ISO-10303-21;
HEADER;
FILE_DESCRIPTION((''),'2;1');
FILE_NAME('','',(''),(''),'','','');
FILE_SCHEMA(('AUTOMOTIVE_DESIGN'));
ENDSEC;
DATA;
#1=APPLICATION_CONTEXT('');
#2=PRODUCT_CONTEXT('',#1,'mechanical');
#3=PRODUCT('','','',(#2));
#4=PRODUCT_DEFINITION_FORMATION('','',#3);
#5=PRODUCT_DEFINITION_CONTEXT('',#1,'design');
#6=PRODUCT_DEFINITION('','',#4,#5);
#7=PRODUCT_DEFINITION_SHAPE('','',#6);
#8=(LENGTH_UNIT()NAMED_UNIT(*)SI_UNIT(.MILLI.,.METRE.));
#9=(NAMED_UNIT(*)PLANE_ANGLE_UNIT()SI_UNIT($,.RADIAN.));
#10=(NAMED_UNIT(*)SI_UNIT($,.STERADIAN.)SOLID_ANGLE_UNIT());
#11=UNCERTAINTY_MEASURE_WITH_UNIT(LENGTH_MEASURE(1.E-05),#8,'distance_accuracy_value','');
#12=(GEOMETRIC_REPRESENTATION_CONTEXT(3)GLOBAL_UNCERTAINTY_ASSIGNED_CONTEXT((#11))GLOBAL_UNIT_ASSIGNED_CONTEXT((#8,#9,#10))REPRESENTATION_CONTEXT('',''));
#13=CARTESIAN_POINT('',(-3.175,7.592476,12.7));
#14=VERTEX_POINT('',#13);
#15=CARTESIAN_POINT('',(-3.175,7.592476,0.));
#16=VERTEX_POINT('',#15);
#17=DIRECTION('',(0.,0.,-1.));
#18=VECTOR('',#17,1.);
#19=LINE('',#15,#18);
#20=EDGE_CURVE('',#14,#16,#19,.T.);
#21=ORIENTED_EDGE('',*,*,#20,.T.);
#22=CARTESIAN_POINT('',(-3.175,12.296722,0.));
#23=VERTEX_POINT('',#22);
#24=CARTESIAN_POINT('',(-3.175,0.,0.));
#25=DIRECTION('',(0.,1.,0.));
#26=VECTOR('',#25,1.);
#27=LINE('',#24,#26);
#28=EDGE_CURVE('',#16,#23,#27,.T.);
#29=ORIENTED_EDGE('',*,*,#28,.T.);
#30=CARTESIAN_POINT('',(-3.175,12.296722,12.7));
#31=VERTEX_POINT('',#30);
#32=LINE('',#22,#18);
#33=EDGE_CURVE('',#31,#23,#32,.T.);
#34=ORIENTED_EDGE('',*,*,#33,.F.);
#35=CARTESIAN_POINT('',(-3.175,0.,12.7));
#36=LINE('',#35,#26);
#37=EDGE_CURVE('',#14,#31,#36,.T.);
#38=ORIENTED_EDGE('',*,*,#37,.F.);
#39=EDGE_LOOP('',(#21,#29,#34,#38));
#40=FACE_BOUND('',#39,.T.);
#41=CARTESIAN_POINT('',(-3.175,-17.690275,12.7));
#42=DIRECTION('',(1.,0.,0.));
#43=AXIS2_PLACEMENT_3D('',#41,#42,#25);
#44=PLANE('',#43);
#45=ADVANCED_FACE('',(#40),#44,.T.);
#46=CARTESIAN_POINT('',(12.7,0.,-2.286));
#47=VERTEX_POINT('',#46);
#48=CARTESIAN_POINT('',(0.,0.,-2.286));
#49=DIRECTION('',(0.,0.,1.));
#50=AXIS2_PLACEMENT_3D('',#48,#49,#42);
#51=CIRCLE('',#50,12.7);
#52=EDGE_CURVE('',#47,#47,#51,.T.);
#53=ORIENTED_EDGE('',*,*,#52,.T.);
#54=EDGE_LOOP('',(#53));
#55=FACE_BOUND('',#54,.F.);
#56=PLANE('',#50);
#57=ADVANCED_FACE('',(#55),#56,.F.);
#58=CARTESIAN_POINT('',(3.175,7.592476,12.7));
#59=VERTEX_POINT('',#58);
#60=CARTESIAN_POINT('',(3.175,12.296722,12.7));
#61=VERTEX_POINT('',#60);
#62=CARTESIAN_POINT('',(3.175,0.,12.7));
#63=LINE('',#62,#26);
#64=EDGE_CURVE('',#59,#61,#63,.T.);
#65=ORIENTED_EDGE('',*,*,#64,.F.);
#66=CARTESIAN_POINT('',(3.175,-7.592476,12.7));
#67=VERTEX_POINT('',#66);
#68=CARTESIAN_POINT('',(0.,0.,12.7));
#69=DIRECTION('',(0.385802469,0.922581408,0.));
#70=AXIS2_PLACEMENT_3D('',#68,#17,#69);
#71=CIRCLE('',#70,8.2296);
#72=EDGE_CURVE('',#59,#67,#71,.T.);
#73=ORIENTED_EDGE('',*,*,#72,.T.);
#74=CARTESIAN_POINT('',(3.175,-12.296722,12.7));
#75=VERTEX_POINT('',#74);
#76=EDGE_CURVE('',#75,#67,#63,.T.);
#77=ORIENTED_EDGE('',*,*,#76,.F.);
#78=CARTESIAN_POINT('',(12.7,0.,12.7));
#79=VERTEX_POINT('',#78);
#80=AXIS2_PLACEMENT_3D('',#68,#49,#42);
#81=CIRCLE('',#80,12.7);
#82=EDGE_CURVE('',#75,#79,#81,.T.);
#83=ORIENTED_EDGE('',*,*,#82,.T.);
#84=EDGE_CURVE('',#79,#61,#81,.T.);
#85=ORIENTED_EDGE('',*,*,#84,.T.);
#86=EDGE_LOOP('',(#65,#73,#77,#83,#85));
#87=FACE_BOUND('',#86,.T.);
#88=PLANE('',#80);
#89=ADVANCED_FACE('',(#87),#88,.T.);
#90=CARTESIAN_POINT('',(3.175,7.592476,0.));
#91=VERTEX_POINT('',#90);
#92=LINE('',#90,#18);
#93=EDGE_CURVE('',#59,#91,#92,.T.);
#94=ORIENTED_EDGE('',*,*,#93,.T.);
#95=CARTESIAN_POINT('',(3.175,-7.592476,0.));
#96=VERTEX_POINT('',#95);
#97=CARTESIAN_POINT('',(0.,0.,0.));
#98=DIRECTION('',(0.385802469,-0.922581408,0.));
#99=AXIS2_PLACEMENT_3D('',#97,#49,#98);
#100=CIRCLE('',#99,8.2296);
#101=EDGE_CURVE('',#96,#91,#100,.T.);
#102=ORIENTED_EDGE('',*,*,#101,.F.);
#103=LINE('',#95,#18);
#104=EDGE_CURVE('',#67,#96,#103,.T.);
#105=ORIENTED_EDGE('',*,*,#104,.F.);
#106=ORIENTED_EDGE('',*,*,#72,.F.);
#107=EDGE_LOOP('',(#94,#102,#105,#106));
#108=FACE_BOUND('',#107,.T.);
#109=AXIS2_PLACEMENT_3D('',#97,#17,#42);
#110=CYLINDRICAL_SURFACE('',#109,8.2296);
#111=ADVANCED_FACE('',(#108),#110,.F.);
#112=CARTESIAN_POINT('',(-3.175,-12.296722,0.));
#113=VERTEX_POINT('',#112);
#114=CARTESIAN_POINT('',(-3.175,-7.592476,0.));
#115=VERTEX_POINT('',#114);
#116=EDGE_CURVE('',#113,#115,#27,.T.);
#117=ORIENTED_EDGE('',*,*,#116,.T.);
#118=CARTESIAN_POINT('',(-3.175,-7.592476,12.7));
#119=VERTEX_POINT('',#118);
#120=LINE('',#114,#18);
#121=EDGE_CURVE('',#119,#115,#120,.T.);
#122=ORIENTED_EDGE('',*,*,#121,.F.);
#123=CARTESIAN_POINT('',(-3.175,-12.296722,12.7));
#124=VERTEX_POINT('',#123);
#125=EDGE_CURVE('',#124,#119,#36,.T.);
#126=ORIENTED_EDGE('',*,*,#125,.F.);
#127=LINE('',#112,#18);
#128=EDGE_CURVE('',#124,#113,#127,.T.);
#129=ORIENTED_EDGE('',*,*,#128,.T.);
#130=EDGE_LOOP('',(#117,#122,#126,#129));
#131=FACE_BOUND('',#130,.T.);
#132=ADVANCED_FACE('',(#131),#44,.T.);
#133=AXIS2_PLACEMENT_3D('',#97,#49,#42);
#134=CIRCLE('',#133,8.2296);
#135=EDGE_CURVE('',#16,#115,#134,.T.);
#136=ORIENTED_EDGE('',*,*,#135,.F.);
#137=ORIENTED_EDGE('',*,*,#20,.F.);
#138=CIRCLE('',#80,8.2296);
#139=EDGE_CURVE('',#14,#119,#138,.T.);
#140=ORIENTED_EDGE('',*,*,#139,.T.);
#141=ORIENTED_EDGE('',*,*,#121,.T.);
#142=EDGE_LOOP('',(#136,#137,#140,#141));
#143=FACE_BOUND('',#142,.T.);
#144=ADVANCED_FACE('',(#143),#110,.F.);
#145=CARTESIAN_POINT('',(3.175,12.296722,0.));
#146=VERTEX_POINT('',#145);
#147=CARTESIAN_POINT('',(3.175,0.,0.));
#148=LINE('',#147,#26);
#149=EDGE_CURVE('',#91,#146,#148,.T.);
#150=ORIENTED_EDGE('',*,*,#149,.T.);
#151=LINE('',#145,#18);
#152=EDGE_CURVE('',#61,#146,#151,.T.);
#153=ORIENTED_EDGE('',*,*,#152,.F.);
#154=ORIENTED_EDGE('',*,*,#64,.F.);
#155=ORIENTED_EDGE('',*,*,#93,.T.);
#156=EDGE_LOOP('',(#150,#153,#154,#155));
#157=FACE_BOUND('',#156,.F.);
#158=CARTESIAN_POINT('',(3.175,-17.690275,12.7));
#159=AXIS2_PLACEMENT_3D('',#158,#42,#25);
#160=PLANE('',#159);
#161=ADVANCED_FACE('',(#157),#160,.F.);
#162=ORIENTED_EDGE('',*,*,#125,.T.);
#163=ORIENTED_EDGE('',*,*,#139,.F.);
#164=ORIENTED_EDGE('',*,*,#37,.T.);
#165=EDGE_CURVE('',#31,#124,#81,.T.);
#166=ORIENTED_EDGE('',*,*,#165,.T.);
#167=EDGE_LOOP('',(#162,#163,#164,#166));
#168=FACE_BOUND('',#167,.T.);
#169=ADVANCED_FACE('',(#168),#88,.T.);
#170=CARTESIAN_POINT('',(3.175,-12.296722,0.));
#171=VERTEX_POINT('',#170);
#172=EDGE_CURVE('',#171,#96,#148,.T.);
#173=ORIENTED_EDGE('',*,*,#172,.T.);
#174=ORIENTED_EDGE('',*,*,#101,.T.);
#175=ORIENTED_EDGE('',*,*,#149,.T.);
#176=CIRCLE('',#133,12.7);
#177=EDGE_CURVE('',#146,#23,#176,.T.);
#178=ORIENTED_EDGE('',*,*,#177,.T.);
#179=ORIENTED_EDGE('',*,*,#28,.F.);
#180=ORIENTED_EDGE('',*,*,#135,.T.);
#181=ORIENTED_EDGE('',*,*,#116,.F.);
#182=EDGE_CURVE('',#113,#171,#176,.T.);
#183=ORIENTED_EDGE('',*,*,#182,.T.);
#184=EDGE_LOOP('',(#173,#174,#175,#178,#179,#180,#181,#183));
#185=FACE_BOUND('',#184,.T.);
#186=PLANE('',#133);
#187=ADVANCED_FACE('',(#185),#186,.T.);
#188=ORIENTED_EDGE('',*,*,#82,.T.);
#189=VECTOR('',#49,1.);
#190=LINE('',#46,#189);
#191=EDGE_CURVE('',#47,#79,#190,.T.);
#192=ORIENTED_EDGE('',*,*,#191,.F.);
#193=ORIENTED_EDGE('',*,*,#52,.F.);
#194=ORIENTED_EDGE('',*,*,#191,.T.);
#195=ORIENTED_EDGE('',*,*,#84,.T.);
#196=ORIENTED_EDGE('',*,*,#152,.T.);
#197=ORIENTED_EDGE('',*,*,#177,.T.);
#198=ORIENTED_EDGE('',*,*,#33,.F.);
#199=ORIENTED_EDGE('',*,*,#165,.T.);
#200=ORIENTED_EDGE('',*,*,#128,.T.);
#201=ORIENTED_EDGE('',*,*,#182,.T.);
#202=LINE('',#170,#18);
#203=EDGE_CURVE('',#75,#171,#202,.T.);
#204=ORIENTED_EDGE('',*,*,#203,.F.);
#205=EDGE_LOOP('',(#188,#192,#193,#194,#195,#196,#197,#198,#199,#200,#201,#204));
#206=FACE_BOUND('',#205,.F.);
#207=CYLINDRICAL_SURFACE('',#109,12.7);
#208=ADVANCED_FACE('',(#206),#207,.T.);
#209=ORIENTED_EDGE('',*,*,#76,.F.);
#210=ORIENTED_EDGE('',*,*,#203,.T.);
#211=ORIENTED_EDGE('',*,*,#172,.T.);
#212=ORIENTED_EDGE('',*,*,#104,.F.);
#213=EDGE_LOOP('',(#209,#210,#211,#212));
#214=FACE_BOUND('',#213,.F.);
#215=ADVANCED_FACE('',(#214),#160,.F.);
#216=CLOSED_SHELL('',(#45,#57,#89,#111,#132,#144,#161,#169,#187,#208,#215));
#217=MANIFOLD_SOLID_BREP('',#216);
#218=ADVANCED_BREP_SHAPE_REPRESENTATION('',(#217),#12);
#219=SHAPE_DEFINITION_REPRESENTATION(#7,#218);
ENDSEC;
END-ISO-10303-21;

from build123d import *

# Parameters (mm, degrees)
F0_R     = 12.7
F0_R_2   = 8.2296
F1_DEPTH = 2.286
F2_DEPTH = 12.7
F3_W     = 6.35
F3_H     = 35.38055
F4_DEPTH = 12.7


with BuildPart() as f1:
    # F0 (on Top) → F1 (new body)
    with BuildSketch(Plane.XY):
        Circle(F0_R)
        Circle(F0_R_2, mode=Mode.SUBTRACT)
        Circle(F0_R_2)
    extrude(amount=-F1_DEPTH)

    # F0 (on Top) → F2 (join)
    with BuildSketch(Plane.XY):
        Circle(F0_R)
        Circle(F0_R_2, mode=Mode.SUBTRACT)
    extrude(amount=F2_DEPTH)

    # F3 (on face) → F4 (cut, through all)
    with BuildSketch(Plane.XY.offset(12.7)):
        Rectangle(F3_W, F3_H)
    extrude(amount=-F4_DEPTH, mode=Mode.SUBTRACT)


solid = f1.part
